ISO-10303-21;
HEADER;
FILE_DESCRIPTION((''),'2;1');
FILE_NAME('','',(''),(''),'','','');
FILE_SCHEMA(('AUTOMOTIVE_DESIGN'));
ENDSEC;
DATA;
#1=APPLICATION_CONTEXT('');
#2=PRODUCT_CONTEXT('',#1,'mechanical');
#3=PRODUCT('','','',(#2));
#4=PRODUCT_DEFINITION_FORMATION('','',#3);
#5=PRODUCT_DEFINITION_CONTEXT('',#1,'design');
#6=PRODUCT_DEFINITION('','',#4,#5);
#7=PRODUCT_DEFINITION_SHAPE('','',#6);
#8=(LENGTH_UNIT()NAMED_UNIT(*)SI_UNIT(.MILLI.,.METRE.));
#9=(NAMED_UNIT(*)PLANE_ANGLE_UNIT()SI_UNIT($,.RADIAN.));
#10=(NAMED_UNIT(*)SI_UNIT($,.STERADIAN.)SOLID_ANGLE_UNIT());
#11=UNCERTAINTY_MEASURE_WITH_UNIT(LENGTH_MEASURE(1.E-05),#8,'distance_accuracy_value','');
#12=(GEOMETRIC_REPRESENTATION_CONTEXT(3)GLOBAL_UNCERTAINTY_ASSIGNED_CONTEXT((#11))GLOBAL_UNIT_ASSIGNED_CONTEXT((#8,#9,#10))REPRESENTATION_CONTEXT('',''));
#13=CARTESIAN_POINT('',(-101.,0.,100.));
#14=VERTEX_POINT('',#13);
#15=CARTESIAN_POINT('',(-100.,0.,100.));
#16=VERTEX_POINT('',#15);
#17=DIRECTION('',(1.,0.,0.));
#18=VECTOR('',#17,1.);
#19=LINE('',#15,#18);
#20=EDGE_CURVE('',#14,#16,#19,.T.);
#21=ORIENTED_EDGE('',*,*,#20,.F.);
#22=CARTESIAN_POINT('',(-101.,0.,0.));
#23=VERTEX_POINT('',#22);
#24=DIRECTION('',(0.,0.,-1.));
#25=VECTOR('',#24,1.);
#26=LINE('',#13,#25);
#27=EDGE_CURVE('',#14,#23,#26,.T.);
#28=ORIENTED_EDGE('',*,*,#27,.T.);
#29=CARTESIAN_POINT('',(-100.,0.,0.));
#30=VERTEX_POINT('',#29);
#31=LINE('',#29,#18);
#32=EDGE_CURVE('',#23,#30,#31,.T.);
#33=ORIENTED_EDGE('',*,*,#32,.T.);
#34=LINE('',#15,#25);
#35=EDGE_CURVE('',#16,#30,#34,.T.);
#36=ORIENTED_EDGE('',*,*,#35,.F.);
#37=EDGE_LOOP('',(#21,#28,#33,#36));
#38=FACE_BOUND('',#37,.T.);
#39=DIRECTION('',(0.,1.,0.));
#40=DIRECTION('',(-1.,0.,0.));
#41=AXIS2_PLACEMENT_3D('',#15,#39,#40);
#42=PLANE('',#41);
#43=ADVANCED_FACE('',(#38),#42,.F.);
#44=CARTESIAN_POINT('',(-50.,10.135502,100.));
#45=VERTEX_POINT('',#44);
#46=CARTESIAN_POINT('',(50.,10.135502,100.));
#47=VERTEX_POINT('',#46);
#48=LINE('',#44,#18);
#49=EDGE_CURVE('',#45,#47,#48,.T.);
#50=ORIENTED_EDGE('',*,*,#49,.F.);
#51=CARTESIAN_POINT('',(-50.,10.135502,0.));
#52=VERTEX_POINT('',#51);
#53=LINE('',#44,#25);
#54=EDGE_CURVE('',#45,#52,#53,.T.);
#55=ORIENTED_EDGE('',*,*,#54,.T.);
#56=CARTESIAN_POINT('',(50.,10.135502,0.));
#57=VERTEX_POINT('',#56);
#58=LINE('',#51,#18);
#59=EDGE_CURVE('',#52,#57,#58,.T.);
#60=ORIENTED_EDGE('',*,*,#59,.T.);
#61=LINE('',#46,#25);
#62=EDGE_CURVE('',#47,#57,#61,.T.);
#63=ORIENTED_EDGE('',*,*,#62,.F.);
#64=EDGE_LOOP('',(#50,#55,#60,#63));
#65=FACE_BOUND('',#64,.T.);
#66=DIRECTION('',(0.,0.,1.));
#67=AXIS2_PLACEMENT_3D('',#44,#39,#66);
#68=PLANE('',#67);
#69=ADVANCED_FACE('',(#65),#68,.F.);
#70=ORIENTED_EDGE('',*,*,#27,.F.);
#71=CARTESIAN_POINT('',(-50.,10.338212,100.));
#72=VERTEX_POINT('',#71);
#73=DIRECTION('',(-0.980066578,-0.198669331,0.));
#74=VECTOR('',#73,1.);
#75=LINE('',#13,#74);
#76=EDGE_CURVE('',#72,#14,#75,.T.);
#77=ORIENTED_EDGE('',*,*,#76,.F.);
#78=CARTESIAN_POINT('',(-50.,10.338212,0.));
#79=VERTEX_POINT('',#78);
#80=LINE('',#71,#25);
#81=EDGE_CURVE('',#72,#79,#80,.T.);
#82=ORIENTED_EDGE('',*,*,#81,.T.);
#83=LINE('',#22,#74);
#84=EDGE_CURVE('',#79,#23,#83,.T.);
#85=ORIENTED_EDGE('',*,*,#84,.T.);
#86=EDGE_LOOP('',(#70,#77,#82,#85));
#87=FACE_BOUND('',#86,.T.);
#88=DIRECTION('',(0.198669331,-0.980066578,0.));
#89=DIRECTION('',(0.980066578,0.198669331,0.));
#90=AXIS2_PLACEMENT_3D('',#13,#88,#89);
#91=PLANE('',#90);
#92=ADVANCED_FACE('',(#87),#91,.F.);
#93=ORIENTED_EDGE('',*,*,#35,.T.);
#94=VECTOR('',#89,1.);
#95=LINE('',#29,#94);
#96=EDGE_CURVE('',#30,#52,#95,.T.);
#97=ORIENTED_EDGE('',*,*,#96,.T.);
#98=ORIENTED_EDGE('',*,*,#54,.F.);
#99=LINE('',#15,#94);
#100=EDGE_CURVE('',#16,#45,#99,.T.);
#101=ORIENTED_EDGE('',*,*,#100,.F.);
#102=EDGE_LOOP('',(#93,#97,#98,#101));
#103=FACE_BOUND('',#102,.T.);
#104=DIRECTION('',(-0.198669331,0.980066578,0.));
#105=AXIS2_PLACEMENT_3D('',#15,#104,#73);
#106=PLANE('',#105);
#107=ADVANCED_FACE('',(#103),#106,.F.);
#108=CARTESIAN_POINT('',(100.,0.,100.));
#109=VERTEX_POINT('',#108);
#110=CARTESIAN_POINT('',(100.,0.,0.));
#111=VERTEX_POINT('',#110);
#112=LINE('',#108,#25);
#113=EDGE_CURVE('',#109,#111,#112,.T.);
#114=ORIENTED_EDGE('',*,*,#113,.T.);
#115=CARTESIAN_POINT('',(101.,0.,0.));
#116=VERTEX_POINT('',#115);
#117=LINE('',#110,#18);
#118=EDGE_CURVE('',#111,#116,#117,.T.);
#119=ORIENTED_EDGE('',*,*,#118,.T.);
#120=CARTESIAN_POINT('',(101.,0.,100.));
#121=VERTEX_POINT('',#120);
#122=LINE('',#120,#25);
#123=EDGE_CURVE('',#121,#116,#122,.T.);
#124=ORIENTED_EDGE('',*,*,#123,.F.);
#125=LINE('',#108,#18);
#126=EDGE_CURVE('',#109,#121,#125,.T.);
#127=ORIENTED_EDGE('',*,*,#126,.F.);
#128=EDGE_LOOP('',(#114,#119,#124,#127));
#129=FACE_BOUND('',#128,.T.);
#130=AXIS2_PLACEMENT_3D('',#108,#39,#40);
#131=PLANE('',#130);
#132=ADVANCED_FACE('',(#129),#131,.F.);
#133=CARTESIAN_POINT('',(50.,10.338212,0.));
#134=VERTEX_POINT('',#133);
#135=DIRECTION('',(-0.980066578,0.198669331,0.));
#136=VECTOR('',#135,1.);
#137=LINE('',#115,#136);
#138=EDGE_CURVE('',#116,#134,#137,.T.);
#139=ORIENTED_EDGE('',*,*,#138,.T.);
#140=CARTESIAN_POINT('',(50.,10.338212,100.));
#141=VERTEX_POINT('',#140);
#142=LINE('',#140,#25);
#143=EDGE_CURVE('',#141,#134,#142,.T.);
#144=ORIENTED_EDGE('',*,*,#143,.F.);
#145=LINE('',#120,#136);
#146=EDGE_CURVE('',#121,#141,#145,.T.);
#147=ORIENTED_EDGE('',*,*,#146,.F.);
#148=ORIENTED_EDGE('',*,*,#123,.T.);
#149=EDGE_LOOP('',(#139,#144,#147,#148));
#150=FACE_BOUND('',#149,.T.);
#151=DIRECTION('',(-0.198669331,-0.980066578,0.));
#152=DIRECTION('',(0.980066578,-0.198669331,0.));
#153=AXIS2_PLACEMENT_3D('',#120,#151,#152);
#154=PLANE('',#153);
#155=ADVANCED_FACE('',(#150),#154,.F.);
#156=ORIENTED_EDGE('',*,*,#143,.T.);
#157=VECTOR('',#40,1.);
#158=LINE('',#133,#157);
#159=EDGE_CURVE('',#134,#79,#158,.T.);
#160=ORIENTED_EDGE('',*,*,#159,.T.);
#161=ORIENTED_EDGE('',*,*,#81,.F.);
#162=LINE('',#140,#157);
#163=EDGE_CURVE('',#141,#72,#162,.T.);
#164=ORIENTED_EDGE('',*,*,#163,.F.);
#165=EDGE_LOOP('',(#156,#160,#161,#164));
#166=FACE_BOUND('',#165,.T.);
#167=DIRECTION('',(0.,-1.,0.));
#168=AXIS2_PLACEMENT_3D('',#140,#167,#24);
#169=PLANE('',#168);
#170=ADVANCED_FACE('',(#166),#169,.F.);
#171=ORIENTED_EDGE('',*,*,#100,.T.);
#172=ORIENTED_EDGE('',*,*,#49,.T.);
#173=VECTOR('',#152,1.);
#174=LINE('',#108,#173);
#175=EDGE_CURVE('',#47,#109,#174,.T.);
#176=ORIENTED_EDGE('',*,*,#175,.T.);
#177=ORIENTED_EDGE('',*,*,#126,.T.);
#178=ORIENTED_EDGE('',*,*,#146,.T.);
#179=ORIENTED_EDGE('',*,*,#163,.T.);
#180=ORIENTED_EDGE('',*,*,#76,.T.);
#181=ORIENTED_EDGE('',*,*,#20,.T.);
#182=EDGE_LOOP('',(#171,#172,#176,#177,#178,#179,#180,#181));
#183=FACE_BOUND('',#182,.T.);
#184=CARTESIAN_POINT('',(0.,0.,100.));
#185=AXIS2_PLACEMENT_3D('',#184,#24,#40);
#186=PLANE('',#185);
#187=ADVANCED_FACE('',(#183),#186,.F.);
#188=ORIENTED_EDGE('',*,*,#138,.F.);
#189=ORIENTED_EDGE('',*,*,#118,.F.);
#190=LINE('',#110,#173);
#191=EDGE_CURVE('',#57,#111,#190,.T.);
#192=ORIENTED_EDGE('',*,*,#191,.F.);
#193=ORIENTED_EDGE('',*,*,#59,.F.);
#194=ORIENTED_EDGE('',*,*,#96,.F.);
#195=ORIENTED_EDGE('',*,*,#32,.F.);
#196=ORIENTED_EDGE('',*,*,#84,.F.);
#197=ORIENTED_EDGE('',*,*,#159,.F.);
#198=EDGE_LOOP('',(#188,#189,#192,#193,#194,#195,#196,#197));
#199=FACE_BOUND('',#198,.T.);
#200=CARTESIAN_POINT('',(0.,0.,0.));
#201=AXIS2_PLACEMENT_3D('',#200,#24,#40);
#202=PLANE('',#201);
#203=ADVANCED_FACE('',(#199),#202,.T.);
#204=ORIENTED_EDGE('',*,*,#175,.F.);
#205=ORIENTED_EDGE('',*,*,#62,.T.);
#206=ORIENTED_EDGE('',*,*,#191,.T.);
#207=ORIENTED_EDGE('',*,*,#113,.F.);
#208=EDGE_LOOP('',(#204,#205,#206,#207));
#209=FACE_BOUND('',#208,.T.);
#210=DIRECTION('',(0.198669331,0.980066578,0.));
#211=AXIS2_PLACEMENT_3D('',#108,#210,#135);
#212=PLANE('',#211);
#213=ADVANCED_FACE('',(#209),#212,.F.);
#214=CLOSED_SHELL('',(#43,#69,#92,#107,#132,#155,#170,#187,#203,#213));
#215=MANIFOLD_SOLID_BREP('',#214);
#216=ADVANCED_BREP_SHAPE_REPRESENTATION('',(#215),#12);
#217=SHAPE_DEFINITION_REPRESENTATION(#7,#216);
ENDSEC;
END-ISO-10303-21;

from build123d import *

# Parameters (mm, degrees)
EXTRUDE_1_DEPTH = 100


with BuildPart() as part:
    # 草图1 → 凸台-拉伸1 (new body)
    with BuildSketch(Plane.XY):
        Polygon((-100, 0), (-50, 10.135501775), (50, 10.135501775), (100, 0), (101, 0), (50, 10.338211811), (-50, 10.338211811), (-101, 0), align=None)
    extrude(amount=EXTRUDE_1_DEPTH)


solid = part.part
